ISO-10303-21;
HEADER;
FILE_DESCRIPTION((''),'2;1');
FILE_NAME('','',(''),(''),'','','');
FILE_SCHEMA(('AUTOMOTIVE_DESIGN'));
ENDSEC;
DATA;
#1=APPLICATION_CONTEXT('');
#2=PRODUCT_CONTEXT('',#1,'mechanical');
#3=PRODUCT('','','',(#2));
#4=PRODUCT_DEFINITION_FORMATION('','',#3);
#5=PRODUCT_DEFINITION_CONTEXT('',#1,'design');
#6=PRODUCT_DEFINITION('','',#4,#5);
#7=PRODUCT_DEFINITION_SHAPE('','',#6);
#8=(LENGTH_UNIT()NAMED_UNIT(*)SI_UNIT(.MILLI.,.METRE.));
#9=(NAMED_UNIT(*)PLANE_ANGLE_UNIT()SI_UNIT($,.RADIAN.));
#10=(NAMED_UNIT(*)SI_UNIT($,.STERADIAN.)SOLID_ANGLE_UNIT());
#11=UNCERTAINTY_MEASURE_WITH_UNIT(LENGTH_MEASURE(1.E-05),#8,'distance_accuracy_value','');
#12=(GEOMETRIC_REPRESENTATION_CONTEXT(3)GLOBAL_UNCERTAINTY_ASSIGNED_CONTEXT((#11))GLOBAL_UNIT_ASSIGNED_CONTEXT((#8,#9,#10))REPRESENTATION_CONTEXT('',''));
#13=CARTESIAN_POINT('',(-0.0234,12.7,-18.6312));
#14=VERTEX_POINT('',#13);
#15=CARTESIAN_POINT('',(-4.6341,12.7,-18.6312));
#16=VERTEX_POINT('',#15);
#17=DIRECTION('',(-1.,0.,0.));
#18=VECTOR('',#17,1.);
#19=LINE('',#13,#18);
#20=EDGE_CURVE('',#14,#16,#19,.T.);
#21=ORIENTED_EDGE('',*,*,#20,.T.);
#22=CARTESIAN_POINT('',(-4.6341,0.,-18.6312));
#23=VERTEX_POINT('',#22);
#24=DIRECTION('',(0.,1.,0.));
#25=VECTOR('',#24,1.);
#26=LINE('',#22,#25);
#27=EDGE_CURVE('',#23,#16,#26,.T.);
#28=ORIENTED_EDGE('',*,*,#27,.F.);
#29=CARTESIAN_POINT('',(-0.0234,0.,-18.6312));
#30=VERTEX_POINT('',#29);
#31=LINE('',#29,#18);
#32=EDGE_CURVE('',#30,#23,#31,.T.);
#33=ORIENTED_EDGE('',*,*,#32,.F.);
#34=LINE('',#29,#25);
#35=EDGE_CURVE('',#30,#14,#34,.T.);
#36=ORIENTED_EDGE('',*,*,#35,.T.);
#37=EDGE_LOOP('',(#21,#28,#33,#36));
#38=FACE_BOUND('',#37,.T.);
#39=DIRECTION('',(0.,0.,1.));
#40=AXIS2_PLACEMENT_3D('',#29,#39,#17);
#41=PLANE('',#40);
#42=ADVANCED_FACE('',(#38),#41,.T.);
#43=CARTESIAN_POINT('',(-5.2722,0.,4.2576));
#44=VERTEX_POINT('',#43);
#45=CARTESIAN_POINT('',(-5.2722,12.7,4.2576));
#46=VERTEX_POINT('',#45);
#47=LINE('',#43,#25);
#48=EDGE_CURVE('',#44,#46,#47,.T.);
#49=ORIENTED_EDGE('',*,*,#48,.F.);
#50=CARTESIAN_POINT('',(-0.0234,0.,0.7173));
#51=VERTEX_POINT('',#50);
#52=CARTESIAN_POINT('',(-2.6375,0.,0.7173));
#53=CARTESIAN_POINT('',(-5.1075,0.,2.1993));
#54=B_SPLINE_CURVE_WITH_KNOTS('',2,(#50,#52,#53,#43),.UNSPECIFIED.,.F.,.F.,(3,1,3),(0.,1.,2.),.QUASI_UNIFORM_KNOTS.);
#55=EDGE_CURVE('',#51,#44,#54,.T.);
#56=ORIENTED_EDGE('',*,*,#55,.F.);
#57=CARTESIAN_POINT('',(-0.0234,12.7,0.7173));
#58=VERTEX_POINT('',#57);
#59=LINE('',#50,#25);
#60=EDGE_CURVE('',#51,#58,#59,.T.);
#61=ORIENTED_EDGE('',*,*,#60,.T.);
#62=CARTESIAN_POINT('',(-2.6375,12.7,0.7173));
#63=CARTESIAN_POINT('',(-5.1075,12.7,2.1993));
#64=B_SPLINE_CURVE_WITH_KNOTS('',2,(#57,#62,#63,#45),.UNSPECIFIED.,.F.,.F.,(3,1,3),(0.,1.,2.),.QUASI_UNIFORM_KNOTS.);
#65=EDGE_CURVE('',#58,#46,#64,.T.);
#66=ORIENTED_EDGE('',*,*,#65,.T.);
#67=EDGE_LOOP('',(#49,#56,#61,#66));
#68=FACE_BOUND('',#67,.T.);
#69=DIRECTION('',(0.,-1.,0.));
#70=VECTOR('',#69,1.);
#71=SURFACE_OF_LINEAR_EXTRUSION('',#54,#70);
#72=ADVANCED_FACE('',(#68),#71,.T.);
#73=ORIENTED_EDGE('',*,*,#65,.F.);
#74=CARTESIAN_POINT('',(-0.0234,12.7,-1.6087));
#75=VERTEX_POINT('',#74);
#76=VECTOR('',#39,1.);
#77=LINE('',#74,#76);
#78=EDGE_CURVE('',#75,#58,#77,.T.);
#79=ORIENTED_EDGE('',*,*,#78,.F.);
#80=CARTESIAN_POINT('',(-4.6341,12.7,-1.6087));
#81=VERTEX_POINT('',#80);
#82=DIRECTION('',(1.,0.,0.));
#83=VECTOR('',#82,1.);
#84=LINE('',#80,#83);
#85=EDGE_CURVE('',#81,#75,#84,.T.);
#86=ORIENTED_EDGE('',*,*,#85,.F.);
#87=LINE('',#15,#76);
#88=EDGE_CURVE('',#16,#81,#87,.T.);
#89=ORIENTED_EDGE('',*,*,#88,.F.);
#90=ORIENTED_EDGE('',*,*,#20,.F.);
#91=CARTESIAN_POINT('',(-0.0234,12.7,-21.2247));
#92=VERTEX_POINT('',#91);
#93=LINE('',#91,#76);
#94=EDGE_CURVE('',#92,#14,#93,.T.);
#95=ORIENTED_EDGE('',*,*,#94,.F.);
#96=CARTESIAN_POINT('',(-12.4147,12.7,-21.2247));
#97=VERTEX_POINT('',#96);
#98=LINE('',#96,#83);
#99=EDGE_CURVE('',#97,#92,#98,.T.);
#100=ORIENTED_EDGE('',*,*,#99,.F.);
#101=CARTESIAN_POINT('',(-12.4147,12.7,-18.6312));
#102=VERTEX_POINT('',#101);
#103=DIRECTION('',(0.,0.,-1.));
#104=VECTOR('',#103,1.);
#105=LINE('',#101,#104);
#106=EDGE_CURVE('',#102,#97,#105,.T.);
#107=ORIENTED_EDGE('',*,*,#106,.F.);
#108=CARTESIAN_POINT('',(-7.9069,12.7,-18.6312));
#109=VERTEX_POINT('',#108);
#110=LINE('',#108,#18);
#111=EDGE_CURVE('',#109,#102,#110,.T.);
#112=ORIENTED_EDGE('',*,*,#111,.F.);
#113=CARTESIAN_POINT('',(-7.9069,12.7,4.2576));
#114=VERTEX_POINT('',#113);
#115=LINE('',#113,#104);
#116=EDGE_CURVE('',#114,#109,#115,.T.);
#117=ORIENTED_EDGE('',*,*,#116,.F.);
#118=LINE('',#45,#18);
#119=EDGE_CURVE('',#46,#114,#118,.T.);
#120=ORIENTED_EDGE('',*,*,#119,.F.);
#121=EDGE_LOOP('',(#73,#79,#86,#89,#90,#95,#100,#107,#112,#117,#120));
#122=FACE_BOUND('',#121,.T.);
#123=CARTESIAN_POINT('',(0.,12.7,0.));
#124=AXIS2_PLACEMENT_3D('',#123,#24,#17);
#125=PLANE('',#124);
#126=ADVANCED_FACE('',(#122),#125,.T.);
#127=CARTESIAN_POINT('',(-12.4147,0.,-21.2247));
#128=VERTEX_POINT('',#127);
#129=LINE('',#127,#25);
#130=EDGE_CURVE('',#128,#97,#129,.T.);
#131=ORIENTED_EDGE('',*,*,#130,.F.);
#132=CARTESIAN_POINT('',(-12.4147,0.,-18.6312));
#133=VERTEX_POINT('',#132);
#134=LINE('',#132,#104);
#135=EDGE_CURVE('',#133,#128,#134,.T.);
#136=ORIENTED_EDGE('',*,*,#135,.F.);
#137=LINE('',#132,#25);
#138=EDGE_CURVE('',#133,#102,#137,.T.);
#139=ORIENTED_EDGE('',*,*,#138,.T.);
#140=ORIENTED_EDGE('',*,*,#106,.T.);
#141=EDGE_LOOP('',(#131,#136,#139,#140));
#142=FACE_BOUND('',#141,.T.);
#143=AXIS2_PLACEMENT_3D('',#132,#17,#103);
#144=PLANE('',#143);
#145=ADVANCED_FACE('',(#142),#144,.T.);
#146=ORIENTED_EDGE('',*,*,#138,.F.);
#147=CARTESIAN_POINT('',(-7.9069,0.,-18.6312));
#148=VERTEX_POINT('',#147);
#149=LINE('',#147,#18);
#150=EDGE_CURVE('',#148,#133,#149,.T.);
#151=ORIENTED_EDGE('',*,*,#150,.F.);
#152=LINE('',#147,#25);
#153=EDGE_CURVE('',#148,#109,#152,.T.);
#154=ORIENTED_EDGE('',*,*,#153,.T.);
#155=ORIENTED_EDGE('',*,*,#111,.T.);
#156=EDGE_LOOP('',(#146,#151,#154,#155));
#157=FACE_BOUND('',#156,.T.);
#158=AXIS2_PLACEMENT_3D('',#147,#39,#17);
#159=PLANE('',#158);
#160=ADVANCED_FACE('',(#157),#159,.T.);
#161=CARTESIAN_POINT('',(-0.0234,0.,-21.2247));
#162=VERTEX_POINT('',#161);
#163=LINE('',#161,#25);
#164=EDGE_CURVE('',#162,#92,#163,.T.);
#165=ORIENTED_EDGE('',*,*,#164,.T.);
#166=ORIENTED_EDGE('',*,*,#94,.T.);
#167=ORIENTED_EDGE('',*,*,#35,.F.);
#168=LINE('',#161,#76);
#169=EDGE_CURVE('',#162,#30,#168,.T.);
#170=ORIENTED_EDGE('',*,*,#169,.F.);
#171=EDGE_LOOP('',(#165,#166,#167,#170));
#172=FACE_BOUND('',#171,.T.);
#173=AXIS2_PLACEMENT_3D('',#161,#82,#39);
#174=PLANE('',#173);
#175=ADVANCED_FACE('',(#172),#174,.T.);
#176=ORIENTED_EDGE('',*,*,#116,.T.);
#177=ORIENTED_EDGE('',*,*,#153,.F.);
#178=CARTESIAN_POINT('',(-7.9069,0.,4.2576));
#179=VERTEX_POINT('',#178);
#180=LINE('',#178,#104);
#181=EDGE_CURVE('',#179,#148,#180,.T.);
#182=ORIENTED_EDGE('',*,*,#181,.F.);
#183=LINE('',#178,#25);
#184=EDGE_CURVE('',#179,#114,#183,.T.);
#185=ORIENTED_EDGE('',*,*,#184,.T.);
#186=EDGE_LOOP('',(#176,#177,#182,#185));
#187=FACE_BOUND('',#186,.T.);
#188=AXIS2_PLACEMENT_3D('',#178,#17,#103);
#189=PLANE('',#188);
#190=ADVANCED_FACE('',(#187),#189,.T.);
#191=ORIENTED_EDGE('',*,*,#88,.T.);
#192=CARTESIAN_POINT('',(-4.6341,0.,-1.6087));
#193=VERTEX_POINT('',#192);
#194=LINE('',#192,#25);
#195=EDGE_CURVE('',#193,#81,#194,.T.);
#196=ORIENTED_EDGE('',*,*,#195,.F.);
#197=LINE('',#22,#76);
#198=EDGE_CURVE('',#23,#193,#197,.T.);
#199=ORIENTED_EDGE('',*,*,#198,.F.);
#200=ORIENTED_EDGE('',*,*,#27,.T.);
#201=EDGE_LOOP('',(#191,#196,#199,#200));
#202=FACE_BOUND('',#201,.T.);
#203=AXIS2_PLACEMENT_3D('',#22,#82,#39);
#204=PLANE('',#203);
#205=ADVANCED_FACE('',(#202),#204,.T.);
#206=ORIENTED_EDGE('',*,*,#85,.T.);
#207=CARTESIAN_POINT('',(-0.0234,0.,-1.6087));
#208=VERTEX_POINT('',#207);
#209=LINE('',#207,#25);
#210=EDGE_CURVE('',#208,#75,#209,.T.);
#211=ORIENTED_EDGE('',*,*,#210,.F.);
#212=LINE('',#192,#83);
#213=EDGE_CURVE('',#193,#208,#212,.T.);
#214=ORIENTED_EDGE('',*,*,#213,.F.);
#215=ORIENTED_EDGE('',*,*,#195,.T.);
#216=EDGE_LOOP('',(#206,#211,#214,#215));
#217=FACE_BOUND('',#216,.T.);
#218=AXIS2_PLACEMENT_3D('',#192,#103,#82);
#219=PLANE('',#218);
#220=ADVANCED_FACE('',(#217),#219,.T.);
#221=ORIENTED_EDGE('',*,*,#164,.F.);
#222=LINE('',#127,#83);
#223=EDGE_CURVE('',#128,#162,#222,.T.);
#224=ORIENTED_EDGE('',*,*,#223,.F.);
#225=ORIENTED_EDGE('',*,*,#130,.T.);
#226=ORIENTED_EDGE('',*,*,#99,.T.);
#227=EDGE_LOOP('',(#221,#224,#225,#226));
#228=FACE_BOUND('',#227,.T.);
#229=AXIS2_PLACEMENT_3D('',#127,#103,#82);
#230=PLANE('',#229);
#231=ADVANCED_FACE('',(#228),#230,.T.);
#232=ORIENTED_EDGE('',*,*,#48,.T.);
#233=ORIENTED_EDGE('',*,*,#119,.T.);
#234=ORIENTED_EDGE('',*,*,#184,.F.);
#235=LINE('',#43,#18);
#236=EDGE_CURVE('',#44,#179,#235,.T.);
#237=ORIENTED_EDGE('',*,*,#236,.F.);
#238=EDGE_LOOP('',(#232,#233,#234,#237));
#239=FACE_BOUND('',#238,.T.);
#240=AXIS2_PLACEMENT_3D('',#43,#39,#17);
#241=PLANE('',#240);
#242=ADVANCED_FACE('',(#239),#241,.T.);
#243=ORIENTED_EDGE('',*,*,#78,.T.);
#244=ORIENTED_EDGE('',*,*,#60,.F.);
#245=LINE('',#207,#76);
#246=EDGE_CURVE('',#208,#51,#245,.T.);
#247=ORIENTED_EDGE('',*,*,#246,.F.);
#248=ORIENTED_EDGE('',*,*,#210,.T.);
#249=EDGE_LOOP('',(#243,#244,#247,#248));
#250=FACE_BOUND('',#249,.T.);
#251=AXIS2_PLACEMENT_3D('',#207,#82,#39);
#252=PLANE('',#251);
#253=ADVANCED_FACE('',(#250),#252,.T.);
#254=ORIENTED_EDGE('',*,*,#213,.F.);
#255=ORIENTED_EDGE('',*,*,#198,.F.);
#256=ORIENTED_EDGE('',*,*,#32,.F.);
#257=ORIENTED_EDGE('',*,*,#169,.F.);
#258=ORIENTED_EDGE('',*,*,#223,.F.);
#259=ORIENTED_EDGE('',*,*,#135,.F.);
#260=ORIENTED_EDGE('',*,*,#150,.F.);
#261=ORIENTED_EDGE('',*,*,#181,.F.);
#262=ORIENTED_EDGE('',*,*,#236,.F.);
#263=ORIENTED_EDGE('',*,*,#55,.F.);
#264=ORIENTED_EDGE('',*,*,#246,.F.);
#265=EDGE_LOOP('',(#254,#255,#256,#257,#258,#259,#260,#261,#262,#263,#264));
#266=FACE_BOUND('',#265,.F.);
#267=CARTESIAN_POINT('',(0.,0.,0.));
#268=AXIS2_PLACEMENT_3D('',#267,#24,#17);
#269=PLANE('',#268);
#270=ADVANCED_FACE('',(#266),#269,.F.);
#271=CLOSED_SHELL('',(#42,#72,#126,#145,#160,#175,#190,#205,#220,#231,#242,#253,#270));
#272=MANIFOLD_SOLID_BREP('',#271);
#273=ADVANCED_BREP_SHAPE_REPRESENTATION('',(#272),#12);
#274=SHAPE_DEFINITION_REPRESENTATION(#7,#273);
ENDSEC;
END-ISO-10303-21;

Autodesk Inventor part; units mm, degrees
ref_plane "YZ Plane" through (0, 0, 0) normal (1, 0, 0) x (0, 1, 0)
ref_plane "XZ Plane" through (0, 0, 0) normal (0, 1, 0) x (-1, 0, 0)
ref_plane "XY Plane" through (0, 0, 0) normal (0, 0, 1) x (1, 0, 0)
sketch "Sketch1" plane through (0, 0, 0) normal (0, 1, 0) x (-1, 0, 0)
  line L0 (-3.8257, 4.2576) -> (4.1137, 4.2576) construction
  line L1 (4.1137, 4.2576) -> (4.1137, -4.4222) construction
  line L2 (4.1137, -4.4222) -> (-3.8257, -4.4222) construction
  line L3 (-3.8257, -4.4222) -> (-3.8257, 4.2576) construction
  line L4 (12.4147, -21.2247) -> (0.0234, -21.2247)
  line L5 (0.0234, -21.2247) -> (0.0234, -18.6312)
  line L6 (0.0234, -18.6312) -> (4.6341, -18.6312)
  line L7 (4.6341, -18.6312) -> (4.6341, -1.6087)
  line L8 (4.6341, -1.6087) -> (0.0234, -1.6087)
  line L9 (0.0234, -1.6087) -> (0.0234, 0.7173)
  spline S0 degree 2 poles (0.0234, 0.7173) (2.6375, 0.7173) (5.1075, 2.1993) (5.2722, 4.2576) knots 0 0 0 1 2 2 2
  line L10 (5.2722, 4.2576) -> (7.9069, 4.2576)
  line L11 (7.9069, 4.2576) -> (7.9069, -18.6312)
  line L12 (7.9069, -18.6312) -> (12.4147, -18.6312)
  line L13 (12.4147, -18.6312) -> (12.4147, -21.2247)
  point P0 (0, 0)
extrude "Extrusion1" add sketch "Sketch1" along normal blind 12.7
properties part number "Text1"
